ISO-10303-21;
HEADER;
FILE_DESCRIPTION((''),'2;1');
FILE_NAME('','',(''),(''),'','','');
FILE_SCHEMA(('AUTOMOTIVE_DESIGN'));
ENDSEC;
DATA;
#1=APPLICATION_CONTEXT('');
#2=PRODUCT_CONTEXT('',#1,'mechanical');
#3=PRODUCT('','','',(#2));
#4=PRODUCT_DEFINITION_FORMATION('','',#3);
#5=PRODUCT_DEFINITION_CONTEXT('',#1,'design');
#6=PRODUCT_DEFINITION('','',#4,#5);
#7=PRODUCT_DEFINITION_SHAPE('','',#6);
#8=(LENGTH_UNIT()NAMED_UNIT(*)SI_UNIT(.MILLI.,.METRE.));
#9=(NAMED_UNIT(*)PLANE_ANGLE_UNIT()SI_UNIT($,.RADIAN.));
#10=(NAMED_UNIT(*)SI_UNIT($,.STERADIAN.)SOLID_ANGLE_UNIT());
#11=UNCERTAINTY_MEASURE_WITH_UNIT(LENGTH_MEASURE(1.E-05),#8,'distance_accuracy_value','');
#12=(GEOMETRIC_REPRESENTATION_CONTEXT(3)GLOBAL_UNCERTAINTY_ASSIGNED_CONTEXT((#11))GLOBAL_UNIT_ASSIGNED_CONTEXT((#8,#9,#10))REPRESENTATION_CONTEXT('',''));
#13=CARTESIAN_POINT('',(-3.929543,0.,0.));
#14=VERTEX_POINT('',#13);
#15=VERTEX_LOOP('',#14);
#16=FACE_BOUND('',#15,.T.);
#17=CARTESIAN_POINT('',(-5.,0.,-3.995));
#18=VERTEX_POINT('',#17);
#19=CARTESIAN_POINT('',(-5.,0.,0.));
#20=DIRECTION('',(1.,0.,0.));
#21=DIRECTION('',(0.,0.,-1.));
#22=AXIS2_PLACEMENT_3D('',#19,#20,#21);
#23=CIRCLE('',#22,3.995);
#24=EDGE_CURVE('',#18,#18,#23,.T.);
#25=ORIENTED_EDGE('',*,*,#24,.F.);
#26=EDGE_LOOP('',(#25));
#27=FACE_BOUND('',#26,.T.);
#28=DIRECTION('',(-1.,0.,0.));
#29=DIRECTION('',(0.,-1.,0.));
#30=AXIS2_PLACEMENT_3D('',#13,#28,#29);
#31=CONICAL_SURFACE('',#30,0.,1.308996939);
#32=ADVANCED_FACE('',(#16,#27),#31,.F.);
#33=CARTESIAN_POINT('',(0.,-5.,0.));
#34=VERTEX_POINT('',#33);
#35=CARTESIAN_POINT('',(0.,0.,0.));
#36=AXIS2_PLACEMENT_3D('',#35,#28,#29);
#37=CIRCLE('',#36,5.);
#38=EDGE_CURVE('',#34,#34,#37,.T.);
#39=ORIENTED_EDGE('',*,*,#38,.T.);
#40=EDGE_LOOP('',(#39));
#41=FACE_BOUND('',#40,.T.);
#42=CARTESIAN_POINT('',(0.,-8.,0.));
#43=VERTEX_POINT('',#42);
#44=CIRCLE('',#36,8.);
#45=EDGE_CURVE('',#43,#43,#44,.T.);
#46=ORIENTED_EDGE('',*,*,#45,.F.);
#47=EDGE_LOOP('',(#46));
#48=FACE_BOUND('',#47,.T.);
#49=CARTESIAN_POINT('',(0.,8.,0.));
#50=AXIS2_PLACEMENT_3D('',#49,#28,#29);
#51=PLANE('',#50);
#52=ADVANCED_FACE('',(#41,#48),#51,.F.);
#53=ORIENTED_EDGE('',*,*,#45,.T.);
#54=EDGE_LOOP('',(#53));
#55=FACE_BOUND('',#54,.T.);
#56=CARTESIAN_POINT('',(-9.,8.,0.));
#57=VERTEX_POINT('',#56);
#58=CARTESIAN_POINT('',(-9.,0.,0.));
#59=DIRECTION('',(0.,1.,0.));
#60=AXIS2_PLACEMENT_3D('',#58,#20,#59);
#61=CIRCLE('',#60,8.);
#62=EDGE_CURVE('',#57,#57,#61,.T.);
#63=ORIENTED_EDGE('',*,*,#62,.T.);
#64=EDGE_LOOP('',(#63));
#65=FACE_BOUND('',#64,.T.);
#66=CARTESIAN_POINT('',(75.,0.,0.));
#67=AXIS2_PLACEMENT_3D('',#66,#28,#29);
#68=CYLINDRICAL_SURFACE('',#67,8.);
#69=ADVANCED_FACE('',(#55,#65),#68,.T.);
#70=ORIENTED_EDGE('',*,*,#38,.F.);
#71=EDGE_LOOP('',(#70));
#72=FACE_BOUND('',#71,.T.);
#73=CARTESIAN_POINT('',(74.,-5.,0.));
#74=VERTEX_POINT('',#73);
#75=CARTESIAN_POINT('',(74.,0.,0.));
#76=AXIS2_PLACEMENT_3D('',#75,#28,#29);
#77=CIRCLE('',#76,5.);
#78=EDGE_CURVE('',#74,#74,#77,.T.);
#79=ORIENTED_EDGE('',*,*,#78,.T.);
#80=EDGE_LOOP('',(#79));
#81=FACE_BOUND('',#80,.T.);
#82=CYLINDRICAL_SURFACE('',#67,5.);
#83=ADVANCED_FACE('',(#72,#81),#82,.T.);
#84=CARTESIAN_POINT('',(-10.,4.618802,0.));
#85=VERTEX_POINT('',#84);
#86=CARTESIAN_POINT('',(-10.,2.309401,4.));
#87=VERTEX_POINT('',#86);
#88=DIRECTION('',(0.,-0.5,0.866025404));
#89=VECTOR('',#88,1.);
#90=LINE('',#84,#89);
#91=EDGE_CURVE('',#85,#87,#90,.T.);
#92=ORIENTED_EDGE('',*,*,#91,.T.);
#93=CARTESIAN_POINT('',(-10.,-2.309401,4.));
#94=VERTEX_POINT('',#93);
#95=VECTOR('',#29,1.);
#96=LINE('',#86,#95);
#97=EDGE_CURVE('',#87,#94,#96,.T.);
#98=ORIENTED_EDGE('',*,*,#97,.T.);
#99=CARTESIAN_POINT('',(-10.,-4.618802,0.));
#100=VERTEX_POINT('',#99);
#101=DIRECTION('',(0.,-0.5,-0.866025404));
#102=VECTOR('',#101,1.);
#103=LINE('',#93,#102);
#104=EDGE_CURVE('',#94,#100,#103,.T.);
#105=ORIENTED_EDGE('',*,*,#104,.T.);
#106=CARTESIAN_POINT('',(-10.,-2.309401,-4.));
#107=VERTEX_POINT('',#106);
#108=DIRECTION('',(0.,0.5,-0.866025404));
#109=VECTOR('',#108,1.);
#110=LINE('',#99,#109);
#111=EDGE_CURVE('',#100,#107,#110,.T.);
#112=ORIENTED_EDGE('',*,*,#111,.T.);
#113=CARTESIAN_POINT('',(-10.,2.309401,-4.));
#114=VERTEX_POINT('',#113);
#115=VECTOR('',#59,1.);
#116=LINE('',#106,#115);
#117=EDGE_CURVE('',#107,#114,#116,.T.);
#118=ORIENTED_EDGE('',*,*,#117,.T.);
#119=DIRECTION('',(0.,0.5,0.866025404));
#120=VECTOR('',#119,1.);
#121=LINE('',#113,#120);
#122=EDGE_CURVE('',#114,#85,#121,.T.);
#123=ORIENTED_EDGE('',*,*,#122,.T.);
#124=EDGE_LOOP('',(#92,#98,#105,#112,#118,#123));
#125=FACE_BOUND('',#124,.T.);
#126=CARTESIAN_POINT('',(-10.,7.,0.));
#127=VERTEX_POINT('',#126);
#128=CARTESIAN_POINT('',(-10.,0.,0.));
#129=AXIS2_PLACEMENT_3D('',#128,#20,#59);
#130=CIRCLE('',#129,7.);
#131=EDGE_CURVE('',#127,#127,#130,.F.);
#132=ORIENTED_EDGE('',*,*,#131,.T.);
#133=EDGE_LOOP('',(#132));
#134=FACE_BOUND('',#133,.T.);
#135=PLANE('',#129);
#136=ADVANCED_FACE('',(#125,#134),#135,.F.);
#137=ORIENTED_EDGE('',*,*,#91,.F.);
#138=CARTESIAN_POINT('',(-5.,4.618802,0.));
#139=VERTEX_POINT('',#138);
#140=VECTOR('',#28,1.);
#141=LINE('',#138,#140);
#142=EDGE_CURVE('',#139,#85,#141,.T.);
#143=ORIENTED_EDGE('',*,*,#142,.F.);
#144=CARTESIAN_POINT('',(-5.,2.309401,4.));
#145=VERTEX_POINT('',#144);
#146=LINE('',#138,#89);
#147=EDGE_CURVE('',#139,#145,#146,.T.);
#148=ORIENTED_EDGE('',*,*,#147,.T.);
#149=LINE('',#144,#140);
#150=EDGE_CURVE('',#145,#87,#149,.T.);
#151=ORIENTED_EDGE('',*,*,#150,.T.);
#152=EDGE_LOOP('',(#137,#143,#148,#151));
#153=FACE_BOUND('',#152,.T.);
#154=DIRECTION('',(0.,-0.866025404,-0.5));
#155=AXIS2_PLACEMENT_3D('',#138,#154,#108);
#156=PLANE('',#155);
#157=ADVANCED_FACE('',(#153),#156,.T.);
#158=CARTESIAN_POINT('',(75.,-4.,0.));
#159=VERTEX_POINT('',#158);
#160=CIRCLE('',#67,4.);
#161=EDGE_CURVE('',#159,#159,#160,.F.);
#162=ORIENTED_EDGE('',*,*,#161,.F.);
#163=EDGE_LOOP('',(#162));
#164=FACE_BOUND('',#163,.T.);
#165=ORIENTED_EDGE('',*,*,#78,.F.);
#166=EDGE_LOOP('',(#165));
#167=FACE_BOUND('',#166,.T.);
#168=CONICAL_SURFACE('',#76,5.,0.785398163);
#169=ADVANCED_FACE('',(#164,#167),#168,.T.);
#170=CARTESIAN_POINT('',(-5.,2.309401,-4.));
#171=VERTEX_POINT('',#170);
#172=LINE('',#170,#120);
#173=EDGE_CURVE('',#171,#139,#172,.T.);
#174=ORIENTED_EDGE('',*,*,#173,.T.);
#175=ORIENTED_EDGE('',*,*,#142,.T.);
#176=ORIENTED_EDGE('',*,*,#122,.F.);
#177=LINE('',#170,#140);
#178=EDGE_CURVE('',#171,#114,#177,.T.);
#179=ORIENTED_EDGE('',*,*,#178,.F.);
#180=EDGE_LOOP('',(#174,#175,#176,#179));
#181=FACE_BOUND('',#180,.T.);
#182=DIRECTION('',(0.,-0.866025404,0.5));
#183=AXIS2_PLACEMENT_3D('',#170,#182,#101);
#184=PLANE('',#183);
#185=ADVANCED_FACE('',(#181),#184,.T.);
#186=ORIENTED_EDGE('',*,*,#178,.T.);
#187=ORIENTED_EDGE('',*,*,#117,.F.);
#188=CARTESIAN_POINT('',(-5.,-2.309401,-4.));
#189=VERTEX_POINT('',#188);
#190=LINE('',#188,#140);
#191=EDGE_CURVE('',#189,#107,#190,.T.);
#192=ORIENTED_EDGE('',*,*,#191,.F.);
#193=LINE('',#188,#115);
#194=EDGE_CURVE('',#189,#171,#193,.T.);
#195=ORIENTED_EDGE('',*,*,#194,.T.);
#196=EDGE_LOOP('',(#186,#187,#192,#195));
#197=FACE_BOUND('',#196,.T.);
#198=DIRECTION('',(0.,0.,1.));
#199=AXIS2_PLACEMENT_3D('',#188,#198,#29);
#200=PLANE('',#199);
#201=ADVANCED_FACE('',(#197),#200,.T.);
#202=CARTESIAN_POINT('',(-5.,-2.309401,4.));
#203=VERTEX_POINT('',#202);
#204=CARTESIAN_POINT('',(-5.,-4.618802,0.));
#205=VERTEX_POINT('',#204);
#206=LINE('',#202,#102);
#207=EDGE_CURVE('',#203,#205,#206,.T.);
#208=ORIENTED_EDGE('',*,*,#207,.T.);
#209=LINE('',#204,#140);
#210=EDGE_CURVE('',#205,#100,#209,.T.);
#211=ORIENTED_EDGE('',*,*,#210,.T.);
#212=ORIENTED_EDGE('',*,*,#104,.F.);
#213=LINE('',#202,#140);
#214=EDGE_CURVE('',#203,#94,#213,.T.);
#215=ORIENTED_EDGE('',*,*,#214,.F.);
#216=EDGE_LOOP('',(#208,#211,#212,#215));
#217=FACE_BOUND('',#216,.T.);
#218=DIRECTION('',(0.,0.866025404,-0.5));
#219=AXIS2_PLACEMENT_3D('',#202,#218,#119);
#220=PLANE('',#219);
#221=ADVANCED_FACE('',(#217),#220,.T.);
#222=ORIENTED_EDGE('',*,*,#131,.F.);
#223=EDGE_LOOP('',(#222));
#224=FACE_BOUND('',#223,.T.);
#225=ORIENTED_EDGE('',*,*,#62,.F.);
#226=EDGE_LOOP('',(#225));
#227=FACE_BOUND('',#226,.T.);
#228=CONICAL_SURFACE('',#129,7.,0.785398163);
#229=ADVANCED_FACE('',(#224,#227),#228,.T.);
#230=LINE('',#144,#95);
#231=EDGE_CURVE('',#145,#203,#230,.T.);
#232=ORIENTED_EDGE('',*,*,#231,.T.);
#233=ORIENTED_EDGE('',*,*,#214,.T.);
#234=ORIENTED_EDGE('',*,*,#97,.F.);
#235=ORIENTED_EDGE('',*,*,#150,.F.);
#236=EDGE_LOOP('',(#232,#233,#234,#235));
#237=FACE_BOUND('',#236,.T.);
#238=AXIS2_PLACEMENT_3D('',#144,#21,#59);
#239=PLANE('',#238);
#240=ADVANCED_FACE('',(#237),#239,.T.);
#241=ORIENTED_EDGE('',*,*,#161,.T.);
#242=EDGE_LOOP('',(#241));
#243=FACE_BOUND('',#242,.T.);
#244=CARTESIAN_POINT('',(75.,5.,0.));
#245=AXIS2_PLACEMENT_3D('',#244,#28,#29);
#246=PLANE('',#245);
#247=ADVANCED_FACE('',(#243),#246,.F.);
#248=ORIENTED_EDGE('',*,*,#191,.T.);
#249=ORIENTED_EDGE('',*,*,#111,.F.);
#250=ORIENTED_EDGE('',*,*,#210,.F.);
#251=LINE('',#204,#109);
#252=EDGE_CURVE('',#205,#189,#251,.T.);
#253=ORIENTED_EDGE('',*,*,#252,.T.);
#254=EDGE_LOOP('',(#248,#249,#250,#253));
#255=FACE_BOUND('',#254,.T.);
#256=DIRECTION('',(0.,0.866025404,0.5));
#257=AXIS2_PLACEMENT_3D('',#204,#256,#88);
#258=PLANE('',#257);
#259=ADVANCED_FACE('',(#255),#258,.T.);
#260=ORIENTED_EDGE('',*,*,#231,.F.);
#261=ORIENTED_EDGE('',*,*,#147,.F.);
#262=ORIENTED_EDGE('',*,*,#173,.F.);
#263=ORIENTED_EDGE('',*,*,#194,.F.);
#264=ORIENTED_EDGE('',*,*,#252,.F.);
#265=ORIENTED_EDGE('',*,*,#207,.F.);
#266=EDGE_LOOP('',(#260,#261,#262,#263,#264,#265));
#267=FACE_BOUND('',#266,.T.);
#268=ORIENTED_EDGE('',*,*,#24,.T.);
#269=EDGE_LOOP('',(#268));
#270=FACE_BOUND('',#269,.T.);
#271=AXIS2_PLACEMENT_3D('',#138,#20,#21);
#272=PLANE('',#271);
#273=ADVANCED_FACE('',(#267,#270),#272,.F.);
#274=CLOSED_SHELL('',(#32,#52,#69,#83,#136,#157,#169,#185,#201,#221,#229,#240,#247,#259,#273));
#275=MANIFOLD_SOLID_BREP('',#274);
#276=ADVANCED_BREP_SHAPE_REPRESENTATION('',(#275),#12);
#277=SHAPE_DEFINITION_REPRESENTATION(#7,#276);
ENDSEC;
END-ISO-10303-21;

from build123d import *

# Parameters (mm, degrees)
CUT_EXTRUDE1_DEPTH = 5
CHAMFER1_SIZE      = 1


with BuildPart() as part:
    # Sketch1 → Revolve1 (revolve)
    with BuildSketch(Plane.XY, mode=Mode.PRIVATE) as revolve1_sk:
        Polygon((-10, 0), (-10, 8), (0, 8), (0, 5), (75, 5), (75, 0), align=None)
    revolve(revolve1_sk.sketch.rotate(Axis((75, 0, 0), (-1, 0, 0)), 180), axis=Axis((75, 0, 0), (-1, 0, 0)))

    # Sketch2 → Cut-Revolve1 (revolve, cut)
    with BuildSketch(Plane.XY, mode=Mode.PRIVATE) as cut_revolve1_sk:
        Polygon((-10, 0), (-10, 3.995), (-5, 3.995), (-3.929542976, 0), align=None)
    revolve(cut_revolve1_sk.sketch.rotate(Axis((-3.929542976, 0, 0), (-1, 0, 0)), 180), axis=Axis((-3.929542976, 0, 0), (-1, 0, 0)), mode=Mode.SUBTRACT)

    # Sketch3 → Cut-Extrude1 (cut)
    with BuildSketch(Plane(origin=(-10, 0, 0), x_dir=(0, 0, -1), z_dir=(1, 0, 0))):
        Polygon((0, 4.618802154), (-4, 2.309401077), (-4, -2.309401077), (0, -4.618802154), (4, -2.309401077), (4, 2.309401077), align=None)
    extrude(amount=CUT_EXTRUDE1_DEPTH, mode=Mode.SUBTRACT)

    # Chamfer1
    chamfer1_edges = [part.edges().sort_by_distance(p)[0] for p in [
        (75, 5, 0),
        (-10, 8, 0),
    ]]
    chamfer(chamfer1_edges, length=CHAMFER1_SIZE)


solid = part.part
